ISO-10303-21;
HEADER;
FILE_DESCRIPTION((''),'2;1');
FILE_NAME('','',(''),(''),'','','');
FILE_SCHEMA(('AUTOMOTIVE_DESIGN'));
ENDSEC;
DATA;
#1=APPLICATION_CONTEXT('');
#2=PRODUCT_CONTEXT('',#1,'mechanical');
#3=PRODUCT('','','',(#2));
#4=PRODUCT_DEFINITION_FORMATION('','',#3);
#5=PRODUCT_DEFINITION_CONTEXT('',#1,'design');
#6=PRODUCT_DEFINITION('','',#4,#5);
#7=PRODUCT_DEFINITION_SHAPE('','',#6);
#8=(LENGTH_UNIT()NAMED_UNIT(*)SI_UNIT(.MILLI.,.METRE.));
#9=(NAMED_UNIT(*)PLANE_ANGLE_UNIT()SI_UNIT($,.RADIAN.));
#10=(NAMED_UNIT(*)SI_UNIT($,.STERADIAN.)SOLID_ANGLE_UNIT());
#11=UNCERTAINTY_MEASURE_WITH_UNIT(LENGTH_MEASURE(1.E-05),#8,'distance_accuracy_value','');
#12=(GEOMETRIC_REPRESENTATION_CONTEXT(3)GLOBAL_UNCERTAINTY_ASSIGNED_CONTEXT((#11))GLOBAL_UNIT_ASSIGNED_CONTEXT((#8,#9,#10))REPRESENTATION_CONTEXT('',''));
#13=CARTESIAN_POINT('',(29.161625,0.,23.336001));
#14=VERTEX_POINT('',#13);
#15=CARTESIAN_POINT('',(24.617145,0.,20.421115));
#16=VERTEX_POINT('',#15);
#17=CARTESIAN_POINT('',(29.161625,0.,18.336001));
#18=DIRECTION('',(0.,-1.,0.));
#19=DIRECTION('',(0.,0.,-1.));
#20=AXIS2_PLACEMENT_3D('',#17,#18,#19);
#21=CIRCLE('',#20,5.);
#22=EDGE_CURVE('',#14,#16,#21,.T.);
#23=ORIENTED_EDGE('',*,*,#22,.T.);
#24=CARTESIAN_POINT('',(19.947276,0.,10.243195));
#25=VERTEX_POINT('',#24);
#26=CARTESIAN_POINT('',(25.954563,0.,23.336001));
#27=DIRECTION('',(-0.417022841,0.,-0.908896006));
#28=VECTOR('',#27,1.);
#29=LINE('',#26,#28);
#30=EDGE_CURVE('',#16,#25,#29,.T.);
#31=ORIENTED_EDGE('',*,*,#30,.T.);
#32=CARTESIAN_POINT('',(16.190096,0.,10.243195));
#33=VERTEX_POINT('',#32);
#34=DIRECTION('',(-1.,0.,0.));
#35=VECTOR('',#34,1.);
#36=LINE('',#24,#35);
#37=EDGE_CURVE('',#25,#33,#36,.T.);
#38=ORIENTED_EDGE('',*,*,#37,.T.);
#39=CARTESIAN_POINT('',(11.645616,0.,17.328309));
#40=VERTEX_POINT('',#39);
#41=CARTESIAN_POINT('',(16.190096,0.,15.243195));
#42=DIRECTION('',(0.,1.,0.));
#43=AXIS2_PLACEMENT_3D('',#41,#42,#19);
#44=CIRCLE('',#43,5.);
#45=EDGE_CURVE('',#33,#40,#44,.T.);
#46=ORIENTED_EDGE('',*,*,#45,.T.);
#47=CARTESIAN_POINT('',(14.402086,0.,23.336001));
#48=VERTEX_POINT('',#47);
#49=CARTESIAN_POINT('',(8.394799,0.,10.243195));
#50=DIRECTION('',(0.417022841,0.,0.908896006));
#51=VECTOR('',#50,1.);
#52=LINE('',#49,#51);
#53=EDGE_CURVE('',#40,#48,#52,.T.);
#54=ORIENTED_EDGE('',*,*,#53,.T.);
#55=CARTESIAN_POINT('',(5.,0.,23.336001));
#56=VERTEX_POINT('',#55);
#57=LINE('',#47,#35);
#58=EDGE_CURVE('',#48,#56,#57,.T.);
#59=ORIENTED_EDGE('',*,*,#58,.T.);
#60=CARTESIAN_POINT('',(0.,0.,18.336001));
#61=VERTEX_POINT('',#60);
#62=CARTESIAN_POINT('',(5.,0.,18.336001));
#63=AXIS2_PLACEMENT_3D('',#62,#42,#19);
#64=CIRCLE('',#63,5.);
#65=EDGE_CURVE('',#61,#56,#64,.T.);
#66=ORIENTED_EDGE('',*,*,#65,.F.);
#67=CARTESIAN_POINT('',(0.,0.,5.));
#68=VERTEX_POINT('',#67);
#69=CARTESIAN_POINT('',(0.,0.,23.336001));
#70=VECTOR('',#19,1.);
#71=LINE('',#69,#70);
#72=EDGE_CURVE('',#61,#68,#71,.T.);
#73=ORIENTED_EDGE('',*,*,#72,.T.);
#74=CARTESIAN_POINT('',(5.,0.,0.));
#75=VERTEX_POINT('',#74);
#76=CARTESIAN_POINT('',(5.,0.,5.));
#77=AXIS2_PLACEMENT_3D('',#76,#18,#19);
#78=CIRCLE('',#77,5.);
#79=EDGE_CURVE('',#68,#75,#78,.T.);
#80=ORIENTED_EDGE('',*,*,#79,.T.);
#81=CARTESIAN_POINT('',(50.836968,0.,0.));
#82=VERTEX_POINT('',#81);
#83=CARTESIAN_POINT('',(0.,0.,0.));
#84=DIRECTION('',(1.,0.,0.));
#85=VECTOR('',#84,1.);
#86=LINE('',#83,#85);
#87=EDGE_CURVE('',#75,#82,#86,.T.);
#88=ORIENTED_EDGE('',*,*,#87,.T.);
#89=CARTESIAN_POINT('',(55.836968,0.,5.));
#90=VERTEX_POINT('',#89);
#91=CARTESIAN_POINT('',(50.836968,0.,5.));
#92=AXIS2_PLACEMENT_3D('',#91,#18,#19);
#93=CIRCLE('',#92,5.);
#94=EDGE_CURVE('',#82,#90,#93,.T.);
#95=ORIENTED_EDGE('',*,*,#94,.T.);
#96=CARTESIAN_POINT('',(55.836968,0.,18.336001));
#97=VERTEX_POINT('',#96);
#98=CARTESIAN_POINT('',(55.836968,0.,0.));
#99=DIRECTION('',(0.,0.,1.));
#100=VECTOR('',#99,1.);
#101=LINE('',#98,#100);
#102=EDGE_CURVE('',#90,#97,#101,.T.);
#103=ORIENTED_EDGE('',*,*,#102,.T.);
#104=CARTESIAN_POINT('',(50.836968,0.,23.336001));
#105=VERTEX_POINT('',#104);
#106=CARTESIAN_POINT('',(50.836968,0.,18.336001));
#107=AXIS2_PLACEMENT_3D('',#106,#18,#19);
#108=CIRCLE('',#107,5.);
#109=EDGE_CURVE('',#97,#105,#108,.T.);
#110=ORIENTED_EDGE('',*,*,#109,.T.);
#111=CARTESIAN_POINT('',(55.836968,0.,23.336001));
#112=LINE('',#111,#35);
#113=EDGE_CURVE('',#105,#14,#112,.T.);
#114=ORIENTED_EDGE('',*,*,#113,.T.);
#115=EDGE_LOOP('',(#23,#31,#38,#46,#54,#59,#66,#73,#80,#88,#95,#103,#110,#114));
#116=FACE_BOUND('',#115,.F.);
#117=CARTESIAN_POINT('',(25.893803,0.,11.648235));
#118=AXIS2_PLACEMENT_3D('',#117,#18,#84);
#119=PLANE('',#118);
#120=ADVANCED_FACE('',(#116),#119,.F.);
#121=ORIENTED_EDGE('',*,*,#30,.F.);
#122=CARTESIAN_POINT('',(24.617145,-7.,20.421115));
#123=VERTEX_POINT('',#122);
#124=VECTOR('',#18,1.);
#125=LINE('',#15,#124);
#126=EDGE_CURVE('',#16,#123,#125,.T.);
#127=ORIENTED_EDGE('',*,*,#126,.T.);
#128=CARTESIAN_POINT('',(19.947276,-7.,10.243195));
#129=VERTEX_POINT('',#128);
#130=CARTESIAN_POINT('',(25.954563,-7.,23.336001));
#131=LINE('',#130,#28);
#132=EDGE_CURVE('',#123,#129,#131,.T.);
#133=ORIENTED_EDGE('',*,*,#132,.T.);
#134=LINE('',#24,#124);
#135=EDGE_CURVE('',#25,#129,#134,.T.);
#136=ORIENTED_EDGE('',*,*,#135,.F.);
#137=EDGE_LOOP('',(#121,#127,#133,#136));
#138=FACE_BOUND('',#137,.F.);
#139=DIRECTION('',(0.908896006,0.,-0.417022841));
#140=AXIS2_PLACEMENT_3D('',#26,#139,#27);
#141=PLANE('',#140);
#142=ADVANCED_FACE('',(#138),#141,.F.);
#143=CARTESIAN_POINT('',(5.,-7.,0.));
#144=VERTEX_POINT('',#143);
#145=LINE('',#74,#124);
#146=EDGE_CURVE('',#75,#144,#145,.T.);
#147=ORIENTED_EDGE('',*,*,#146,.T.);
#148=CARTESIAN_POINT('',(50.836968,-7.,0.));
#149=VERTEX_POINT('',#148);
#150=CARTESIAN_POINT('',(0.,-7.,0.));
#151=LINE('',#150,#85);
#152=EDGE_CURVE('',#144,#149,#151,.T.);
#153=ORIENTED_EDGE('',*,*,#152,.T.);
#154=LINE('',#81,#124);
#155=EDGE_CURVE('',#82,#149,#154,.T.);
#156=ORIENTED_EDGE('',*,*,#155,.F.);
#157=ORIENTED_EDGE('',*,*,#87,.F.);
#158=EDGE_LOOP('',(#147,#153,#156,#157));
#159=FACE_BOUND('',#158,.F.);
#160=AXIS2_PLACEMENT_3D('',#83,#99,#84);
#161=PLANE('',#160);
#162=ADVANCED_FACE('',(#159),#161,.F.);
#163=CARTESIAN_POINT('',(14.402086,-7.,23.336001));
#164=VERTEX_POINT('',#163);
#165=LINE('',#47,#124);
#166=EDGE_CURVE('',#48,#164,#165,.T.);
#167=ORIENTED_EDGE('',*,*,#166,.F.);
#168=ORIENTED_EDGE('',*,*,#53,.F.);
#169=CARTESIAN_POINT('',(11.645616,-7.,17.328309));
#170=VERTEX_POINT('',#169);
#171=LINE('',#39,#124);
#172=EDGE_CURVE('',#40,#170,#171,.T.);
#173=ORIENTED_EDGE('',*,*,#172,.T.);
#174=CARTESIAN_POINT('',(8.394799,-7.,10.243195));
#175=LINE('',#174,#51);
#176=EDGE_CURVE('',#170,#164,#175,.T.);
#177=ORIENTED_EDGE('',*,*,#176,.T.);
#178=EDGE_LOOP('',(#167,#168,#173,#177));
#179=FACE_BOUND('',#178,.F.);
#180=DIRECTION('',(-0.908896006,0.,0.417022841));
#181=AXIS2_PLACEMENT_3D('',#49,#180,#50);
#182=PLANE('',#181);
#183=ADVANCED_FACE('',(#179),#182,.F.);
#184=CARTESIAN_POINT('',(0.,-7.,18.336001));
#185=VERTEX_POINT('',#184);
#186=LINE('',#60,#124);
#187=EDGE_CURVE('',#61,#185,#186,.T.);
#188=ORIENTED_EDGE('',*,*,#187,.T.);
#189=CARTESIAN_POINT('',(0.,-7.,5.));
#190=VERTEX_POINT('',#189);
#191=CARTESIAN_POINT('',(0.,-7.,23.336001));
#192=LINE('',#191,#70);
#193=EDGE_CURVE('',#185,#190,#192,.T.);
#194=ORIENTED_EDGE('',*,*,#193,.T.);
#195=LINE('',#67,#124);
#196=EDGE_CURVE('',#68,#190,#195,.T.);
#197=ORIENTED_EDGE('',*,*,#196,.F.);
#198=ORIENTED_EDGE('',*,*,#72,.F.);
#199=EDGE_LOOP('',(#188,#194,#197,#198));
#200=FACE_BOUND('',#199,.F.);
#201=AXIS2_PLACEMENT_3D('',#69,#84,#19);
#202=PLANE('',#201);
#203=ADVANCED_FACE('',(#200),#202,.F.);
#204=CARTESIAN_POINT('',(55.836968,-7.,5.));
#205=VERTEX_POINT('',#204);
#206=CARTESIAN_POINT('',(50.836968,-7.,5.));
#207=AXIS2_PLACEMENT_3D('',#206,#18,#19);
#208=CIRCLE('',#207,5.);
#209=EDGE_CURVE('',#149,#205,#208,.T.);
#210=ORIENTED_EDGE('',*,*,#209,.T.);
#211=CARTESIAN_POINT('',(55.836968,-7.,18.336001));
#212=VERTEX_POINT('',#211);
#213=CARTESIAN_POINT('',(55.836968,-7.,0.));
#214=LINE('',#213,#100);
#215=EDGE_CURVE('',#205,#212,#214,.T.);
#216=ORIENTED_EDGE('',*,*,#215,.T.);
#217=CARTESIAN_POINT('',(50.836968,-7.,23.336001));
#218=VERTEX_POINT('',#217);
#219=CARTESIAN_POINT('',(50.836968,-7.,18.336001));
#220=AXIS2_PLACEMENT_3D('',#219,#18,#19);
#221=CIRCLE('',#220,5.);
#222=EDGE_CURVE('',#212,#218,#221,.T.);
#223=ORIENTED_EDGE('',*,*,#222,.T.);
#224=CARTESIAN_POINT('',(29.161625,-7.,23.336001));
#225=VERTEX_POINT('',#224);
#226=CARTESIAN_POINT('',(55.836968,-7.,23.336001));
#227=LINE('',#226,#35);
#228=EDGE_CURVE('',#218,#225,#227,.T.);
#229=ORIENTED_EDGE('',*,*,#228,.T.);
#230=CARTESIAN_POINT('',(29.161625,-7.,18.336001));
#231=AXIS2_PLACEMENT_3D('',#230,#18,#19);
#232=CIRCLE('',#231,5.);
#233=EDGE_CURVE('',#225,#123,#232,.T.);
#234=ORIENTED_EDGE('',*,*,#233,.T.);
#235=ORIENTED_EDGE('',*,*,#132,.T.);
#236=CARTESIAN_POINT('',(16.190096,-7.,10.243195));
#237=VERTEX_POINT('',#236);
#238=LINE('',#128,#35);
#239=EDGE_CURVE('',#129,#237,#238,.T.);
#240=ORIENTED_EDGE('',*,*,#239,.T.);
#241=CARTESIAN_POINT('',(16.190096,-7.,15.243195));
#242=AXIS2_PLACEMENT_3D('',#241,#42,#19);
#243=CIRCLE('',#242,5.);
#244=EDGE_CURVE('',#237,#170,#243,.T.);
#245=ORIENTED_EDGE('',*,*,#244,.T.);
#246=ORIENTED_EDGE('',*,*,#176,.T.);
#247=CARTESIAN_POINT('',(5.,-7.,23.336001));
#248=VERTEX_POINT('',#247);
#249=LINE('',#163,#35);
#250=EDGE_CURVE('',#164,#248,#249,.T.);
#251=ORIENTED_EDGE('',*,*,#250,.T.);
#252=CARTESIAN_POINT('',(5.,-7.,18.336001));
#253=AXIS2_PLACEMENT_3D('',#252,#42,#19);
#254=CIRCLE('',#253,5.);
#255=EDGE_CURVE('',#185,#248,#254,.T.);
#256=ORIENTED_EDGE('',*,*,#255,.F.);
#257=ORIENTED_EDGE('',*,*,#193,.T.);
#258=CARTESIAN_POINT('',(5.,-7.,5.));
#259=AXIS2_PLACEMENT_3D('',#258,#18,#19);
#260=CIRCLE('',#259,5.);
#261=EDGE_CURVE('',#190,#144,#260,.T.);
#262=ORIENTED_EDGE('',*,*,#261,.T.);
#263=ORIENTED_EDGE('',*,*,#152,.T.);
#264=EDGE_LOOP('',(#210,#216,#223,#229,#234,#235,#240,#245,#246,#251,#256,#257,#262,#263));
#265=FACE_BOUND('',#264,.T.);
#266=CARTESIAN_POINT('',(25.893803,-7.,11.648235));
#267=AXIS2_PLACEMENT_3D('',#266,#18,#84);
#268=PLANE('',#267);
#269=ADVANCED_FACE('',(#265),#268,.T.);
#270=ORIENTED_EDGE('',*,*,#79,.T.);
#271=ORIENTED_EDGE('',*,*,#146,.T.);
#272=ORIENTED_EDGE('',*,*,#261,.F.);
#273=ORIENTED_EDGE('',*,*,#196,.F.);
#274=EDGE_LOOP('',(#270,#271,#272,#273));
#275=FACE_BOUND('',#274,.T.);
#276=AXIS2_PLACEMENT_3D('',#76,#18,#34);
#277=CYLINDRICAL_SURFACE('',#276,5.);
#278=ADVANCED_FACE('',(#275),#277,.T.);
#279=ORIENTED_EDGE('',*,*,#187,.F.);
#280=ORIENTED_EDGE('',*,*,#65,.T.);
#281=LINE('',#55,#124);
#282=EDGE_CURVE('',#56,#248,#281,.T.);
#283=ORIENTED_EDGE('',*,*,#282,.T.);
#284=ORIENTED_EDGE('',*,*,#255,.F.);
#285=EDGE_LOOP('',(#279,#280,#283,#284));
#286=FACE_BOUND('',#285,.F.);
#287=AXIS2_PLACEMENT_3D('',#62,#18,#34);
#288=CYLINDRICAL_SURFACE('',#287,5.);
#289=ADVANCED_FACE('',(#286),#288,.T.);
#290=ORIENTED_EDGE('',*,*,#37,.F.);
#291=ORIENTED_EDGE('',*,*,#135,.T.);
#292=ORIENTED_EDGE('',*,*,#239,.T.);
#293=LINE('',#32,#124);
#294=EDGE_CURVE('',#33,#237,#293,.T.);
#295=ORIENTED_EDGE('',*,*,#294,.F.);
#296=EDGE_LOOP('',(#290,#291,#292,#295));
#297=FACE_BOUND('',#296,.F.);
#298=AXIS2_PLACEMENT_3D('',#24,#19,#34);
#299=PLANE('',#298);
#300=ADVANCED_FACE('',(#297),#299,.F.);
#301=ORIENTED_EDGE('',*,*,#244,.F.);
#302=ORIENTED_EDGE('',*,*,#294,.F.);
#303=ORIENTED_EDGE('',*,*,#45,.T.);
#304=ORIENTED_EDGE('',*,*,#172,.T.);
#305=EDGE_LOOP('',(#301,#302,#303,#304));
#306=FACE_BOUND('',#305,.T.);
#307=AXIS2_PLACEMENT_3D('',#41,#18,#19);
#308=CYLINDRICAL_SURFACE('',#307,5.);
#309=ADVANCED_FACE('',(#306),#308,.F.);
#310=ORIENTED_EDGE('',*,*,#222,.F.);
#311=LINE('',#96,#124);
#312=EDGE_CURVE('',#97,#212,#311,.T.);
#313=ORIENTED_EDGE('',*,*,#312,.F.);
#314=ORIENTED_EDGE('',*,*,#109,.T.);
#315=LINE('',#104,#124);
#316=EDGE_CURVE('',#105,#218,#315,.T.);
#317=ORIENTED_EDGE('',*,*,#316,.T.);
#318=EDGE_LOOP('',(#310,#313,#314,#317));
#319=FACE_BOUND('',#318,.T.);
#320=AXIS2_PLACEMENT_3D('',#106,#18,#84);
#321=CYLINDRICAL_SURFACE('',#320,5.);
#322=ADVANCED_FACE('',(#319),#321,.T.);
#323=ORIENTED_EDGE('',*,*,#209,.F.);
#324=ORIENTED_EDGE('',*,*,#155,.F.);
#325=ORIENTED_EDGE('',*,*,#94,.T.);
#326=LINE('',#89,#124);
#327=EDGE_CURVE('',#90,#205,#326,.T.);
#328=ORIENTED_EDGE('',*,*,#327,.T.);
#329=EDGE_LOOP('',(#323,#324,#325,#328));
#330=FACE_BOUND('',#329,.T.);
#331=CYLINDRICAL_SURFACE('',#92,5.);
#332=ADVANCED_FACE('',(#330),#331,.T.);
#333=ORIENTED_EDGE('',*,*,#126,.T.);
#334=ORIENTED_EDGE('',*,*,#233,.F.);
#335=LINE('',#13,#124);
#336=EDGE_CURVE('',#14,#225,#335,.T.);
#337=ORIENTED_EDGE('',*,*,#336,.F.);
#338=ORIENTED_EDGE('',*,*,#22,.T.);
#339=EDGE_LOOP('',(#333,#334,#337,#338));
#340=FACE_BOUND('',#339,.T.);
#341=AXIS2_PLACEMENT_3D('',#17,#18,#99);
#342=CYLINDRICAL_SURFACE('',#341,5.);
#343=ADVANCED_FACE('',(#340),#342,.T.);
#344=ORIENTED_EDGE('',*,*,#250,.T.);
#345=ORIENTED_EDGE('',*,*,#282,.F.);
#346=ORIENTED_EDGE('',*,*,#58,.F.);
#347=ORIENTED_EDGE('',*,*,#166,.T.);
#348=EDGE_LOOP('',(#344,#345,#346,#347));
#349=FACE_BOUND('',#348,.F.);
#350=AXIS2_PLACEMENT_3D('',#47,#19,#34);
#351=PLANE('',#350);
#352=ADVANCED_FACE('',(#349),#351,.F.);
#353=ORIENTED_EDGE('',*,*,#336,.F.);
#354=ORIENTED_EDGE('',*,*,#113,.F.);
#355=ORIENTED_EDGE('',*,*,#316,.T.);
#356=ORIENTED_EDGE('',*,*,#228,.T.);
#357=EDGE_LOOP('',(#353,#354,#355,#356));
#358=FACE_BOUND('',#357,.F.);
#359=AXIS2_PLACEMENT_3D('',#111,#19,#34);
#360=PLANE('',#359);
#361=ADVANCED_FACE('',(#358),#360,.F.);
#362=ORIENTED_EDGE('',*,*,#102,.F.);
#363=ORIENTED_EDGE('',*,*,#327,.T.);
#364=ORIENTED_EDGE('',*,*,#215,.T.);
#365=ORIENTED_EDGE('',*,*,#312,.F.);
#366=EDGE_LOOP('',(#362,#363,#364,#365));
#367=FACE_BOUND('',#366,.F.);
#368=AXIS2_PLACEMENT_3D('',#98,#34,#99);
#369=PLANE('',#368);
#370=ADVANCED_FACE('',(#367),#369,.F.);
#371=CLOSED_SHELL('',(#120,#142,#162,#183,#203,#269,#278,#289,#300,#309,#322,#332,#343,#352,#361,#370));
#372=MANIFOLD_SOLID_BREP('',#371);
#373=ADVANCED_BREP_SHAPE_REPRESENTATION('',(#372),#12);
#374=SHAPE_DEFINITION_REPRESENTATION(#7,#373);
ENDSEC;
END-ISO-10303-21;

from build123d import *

# Parameters (mm, degrees)
F1_DEPTH = 7
F2_R     = 5


with BuildPart() as f1:
    # F0 (on Front) → F1 (new body)
    with BuildSketch(Plane.XZ):
        Polygon((0, 23.336001), (0, 0), (55.836968, 0), (55.836968, 23.336001), (25.954563, 23.336001), (19.947276, 10.243195), (8.394799, 10.243195), (14.402086, 23.336001), align=None)
    extrude(amount=F1_DEPTH)

    # F2
    f2_edges = [f1.edges().sort_by_distance(p)[0] for p in [
        (55.836968, -3.5, 23.336001),
        (55.836968, -3.5, 0),
        (25.954563, -3.5, 23.336001),
        (0, -3.5, 0),
        (8.394799, -3.5, 10.243195),
        (0, -3.5, 23.336001),
    ]]
    fillet(f2_edges, radius=F2_R)


solid = f1.part
